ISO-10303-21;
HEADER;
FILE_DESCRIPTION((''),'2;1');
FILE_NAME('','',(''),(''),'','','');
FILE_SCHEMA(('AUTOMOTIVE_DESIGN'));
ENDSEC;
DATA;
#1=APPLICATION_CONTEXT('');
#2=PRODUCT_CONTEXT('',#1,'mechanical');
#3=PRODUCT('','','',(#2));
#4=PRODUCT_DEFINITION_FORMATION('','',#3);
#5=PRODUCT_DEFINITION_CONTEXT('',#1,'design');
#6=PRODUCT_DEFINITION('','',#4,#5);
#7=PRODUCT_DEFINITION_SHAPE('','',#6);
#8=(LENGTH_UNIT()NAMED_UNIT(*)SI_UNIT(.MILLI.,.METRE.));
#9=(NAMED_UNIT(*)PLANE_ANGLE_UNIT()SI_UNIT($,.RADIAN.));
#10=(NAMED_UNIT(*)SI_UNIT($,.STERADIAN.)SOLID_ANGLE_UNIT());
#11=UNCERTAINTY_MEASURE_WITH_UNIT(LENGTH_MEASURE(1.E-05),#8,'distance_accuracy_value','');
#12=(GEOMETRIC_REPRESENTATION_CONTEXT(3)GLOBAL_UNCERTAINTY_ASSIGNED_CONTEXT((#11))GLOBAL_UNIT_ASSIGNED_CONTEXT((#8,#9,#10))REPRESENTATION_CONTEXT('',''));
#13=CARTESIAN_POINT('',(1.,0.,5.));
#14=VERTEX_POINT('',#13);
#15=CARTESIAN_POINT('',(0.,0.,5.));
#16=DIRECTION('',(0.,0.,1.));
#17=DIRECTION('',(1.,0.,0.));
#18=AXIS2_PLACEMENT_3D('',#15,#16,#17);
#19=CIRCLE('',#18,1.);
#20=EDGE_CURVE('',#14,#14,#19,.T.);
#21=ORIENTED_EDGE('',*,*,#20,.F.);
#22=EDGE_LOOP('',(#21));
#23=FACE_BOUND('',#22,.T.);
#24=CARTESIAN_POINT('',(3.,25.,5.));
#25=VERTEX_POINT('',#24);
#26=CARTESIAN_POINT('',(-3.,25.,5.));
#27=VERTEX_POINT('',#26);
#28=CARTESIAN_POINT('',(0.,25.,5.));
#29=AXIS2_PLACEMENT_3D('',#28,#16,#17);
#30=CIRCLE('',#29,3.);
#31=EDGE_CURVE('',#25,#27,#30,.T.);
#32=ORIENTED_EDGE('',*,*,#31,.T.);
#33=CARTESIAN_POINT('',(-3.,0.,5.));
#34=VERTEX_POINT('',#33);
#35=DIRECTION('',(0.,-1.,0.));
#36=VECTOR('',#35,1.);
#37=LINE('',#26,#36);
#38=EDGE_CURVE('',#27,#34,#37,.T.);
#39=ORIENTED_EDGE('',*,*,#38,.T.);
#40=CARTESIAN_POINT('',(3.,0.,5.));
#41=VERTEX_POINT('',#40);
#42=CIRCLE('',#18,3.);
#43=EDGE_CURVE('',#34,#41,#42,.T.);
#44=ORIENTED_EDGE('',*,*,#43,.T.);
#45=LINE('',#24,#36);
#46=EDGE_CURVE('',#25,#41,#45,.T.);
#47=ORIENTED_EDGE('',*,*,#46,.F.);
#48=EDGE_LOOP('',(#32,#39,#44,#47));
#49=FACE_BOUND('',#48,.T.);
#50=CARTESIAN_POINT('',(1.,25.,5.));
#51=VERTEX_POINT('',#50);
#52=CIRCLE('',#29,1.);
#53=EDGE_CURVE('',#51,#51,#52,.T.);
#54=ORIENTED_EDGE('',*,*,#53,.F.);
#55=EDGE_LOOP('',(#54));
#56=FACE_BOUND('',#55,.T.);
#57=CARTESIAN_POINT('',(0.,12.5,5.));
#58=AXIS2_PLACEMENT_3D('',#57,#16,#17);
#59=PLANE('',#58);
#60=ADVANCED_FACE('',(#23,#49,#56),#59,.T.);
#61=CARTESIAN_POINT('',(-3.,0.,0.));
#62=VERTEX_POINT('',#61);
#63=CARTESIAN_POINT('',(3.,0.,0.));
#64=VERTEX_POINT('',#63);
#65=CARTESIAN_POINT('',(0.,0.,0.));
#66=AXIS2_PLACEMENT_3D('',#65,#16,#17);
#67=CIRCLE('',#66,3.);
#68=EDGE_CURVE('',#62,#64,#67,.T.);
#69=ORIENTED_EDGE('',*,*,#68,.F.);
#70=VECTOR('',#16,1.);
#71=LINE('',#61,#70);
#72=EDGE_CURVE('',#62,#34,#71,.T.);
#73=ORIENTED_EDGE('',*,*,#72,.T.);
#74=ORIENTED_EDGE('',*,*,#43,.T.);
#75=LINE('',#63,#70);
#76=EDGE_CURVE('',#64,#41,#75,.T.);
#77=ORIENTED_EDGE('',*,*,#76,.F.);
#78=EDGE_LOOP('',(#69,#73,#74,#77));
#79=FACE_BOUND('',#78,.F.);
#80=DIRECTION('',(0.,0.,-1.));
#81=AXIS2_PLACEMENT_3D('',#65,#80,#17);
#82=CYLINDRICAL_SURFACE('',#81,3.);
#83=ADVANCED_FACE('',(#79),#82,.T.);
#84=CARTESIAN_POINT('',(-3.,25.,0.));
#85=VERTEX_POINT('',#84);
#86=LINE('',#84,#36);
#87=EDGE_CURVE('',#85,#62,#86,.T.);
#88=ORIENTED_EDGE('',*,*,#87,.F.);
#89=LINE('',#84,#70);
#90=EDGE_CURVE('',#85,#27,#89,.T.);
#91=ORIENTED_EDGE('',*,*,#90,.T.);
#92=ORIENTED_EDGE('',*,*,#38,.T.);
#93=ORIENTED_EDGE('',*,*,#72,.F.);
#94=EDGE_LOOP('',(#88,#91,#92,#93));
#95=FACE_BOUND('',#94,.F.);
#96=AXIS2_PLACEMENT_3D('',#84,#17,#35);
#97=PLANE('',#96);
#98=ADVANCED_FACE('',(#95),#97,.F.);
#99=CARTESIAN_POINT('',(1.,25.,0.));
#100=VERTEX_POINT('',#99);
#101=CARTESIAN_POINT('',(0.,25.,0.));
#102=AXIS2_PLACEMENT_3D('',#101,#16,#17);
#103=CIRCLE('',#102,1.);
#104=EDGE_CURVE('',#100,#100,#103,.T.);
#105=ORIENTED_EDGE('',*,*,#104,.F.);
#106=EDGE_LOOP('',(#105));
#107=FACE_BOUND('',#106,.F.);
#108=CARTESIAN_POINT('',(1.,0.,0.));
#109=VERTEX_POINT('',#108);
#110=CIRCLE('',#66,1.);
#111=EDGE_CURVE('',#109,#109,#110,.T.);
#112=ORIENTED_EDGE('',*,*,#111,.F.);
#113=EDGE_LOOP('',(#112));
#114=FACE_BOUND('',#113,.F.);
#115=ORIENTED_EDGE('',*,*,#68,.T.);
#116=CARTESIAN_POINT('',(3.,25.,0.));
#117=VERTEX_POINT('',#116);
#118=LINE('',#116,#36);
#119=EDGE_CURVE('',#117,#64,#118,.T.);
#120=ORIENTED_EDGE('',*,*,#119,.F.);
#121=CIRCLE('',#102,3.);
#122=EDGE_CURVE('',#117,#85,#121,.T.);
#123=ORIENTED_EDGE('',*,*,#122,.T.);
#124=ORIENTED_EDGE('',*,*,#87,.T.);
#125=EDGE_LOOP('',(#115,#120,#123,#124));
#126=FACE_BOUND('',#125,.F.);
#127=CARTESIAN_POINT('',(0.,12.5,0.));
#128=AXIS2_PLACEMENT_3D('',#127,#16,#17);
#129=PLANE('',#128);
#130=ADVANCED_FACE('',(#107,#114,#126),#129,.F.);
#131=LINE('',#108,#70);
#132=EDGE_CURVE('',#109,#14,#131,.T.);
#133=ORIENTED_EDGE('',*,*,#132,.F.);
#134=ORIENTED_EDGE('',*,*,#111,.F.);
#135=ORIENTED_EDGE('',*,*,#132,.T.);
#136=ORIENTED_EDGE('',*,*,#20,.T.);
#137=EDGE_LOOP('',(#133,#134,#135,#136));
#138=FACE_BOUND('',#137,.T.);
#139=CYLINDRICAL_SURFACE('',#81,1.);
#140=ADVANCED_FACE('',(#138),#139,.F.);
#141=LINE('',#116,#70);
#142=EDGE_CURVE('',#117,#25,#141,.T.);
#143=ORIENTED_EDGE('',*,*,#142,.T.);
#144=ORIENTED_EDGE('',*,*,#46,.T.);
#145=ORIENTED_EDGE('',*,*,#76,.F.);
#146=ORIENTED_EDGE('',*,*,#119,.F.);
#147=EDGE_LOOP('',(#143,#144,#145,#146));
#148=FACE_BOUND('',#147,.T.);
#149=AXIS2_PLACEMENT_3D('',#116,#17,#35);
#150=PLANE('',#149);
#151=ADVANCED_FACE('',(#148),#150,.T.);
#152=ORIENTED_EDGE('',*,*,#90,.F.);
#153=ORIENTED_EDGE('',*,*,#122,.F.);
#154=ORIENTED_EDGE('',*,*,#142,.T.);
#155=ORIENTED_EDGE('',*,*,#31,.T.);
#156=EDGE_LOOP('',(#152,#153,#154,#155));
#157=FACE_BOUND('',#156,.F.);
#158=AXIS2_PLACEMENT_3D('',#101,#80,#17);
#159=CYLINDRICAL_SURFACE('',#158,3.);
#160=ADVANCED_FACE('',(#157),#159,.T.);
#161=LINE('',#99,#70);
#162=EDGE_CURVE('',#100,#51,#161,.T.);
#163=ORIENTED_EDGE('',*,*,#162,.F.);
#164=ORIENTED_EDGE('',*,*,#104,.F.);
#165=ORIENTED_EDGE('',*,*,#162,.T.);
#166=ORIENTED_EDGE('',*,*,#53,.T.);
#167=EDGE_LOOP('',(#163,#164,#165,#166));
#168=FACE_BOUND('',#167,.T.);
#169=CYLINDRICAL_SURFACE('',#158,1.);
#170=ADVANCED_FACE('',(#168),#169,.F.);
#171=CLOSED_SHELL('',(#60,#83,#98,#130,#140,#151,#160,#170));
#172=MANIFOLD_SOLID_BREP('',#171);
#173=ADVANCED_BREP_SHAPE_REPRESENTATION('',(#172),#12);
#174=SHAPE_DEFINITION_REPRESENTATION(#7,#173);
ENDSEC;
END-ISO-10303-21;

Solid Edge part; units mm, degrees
sketch "Sketch1" plane through (0, 0, 0) normal (0, 0, 1) x (1, 0, 0)
  circle A0 centre (0, 0) radius 1
  line L0 (-3, 25) -> (-3, 0)
  line L1 (3, 25) -> (3, 0)
  arc A1 (3, 25) -> (-3, 25) centre (0, 25) ccw
  arc A2 (-3, 0) -> (3, 0) centre (0, 0) ccw
  circle A3 centre (0, 25) radius 1
extrude "Protrusion1" add sketch "Sketch1" along normal blind 5
